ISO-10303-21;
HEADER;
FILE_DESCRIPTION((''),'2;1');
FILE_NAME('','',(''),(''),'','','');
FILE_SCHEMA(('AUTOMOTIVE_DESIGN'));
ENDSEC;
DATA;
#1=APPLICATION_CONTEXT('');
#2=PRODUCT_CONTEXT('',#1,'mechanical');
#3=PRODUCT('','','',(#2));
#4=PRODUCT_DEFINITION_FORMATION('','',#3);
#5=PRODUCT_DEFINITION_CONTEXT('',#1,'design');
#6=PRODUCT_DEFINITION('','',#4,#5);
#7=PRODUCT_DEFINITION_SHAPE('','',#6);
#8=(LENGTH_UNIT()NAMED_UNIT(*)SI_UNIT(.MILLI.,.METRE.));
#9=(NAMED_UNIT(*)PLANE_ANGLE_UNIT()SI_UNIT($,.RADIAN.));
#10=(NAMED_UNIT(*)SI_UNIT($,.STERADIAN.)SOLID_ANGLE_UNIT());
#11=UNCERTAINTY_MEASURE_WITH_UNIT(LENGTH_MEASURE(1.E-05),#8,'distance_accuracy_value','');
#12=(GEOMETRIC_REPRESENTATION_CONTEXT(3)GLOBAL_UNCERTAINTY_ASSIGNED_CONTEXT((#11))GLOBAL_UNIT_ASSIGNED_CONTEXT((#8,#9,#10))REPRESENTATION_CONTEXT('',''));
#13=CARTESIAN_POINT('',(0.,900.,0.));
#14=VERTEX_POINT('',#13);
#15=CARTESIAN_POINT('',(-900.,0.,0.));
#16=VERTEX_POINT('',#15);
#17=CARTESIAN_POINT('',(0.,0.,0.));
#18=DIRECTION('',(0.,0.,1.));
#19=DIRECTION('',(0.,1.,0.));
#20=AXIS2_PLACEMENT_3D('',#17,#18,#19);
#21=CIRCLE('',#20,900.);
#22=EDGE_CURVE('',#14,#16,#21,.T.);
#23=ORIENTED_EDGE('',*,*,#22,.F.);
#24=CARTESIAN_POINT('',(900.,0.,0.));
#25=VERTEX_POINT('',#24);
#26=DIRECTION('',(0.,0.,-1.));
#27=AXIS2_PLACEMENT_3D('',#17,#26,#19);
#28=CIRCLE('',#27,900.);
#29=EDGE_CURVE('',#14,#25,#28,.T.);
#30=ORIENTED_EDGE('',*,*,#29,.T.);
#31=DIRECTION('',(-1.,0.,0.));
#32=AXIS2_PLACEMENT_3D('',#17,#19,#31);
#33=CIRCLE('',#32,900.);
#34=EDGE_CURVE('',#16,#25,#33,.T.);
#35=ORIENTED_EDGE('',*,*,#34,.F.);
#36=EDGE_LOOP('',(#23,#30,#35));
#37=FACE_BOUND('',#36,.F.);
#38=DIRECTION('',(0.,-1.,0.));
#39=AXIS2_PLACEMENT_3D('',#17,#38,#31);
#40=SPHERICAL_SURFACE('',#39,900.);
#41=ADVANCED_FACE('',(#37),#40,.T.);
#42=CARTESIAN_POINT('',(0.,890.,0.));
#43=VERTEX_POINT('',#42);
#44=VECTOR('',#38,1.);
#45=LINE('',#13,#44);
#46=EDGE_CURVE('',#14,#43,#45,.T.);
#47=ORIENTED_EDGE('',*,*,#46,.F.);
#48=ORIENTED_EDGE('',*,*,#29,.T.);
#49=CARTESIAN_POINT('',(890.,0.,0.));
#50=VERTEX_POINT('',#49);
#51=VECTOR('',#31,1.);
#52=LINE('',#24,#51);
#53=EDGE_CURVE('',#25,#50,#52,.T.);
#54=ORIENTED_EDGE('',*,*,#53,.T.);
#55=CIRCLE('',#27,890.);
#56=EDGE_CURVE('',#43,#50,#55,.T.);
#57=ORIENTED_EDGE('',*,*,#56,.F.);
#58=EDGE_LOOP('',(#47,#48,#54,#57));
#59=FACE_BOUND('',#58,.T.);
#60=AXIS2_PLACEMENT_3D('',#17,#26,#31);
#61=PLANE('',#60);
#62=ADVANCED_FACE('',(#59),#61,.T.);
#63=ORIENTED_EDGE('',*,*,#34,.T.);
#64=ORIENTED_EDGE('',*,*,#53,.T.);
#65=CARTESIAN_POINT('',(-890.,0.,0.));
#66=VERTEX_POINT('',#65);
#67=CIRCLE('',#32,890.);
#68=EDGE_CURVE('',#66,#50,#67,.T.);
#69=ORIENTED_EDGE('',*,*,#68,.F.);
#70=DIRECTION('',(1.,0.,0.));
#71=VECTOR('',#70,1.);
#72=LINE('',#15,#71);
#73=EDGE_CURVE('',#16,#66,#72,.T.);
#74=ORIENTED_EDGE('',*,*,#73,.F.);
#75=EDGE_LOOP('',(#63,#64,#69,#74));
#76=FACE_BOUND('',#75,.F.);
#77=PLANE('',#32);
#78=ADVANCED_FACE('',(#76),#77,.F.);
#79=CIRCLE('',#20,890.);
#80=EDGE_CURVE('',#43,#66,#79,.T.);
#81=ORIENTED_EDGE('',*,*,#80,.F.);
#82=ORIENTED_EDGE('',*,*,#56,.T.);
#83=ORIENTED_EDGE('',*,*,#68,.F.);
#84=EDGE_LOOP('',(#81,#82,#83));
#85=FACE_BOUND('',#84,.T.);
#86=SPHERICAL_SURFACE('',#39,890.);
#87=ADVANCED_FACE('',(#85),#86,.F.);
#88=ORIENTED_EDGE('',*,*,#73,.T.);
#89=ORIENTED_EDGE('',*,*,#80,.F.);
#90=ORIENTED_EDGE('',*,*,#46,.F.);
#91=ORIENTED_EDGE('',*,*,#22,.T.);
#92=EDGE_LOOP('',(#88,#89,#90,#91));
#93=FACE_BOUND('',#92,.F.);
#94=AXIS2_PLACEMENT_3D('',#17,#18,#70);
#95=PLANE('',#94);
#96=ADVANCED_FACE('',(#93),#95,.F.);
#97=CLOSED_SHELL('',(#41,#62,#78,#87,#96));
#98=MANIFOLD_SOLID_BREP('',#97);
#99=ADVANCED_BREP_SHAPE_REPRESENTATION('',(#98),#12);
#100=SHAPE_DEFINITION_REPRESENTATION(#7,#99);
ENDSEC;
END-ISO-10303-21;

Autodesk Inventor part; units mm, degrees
ref_plane "XZ Plane" through (0, 0, 0) normal (0, 1, 0) x (-1, 0, 0)
ref_plane "XY Plane" through (0, 0, 0) normal (0, 0, 1) x (1, 0, 0)
sketch "Sketch1" plane through (0, 0, 0) normal (0, 0, 1) x (1, 0, 0)
  arc A0 (0, 900) -> (-900, 0) centre (0, 0) ccw
  arc A1 (0, 890) -> (-890, 0) centre (0, 0) ccw
  line L0 (-900, 0) -> (-890, 0)
  line L1 (0, 900) -> (0, 890)
  line L2 (0, -214.865) -> (0, 1289.19) projected
  dimension "d0" = 10
  dimension "d1" = 900
  dimension "d2" = 0
  dimension "d3" = 0
revolve "Revolution1" add sketch "Sketch1" angle 180 about axis through (0, -10, 0) along (0, 1, 0)
ref_plane "midPlane" through (0, 0, 0) normal (1, 0, 0) x (0, 1, 0)
ref_plane "tangent1" through (900, 0, 0) normal (1, 0, 0) x (0, 1, 0)
ref_plane "tangent2" through (-900, 0, 0) normal (1, 0, 0) x (0, 1, 0)
equation "\"d0\" = thickness"
equation "\"d1\" = cover_height_main"
equation "\"thickness\" = 10"
equation "\"cover_height_main\" = 900"
equation "\"hoop_angle_z\" = 45deg"
equation "\"hoop_bearing_length\" = 5deg"
equation "\"hoop_cable_diam\" = 5"
equation "\"hoop_cable_pulley_diam\" = 22"
equation "\"rack_tooth_addendum\" = 5"
equation "\"rack_tooth_dedendum\" = 5"
equation "\"rack_tooth_thickness\" = 5"
equation "\"secure_arm_angle\" = 20deg"
equation "\"secure_arm_hold_length\" = 35"
equation "\"secure_arm_radii\" = 9"
equation "\"support_baseClamp_platformLengthBuffer\" = 35"
equation "\"support_baseClamp_platformThickness\" = 15"
equation "\"support_baseClamp_platformWidthBuffer\" = 0"
equation "\"support_baseClamp_sleeveHoleDiameter\" = 12"
equation "\"support_baseClamp_sleeveSweepTerminationAngle\" = 55deg"
equation "\"support_baseClamp_thickness\" = 8"
equation "\"support_frame_endHoleBuffer\" = 25"
equation "\"support_frame_squareBarFillet\" = 2"
equation "\"support_frame_squareBarThickness\" = 5"
equation "\"hoop_tabs_thickness\" = 6"
equation "\"hoop_tabs_hole\" = 4"
equation "\"wheelchair_deployed_width\" = 635"
equation "\"wheelchair_deployed_length\" = 1067"
equation "\"wheelchair_deployed_height\" = 914"
properties part number "cover2_end"
